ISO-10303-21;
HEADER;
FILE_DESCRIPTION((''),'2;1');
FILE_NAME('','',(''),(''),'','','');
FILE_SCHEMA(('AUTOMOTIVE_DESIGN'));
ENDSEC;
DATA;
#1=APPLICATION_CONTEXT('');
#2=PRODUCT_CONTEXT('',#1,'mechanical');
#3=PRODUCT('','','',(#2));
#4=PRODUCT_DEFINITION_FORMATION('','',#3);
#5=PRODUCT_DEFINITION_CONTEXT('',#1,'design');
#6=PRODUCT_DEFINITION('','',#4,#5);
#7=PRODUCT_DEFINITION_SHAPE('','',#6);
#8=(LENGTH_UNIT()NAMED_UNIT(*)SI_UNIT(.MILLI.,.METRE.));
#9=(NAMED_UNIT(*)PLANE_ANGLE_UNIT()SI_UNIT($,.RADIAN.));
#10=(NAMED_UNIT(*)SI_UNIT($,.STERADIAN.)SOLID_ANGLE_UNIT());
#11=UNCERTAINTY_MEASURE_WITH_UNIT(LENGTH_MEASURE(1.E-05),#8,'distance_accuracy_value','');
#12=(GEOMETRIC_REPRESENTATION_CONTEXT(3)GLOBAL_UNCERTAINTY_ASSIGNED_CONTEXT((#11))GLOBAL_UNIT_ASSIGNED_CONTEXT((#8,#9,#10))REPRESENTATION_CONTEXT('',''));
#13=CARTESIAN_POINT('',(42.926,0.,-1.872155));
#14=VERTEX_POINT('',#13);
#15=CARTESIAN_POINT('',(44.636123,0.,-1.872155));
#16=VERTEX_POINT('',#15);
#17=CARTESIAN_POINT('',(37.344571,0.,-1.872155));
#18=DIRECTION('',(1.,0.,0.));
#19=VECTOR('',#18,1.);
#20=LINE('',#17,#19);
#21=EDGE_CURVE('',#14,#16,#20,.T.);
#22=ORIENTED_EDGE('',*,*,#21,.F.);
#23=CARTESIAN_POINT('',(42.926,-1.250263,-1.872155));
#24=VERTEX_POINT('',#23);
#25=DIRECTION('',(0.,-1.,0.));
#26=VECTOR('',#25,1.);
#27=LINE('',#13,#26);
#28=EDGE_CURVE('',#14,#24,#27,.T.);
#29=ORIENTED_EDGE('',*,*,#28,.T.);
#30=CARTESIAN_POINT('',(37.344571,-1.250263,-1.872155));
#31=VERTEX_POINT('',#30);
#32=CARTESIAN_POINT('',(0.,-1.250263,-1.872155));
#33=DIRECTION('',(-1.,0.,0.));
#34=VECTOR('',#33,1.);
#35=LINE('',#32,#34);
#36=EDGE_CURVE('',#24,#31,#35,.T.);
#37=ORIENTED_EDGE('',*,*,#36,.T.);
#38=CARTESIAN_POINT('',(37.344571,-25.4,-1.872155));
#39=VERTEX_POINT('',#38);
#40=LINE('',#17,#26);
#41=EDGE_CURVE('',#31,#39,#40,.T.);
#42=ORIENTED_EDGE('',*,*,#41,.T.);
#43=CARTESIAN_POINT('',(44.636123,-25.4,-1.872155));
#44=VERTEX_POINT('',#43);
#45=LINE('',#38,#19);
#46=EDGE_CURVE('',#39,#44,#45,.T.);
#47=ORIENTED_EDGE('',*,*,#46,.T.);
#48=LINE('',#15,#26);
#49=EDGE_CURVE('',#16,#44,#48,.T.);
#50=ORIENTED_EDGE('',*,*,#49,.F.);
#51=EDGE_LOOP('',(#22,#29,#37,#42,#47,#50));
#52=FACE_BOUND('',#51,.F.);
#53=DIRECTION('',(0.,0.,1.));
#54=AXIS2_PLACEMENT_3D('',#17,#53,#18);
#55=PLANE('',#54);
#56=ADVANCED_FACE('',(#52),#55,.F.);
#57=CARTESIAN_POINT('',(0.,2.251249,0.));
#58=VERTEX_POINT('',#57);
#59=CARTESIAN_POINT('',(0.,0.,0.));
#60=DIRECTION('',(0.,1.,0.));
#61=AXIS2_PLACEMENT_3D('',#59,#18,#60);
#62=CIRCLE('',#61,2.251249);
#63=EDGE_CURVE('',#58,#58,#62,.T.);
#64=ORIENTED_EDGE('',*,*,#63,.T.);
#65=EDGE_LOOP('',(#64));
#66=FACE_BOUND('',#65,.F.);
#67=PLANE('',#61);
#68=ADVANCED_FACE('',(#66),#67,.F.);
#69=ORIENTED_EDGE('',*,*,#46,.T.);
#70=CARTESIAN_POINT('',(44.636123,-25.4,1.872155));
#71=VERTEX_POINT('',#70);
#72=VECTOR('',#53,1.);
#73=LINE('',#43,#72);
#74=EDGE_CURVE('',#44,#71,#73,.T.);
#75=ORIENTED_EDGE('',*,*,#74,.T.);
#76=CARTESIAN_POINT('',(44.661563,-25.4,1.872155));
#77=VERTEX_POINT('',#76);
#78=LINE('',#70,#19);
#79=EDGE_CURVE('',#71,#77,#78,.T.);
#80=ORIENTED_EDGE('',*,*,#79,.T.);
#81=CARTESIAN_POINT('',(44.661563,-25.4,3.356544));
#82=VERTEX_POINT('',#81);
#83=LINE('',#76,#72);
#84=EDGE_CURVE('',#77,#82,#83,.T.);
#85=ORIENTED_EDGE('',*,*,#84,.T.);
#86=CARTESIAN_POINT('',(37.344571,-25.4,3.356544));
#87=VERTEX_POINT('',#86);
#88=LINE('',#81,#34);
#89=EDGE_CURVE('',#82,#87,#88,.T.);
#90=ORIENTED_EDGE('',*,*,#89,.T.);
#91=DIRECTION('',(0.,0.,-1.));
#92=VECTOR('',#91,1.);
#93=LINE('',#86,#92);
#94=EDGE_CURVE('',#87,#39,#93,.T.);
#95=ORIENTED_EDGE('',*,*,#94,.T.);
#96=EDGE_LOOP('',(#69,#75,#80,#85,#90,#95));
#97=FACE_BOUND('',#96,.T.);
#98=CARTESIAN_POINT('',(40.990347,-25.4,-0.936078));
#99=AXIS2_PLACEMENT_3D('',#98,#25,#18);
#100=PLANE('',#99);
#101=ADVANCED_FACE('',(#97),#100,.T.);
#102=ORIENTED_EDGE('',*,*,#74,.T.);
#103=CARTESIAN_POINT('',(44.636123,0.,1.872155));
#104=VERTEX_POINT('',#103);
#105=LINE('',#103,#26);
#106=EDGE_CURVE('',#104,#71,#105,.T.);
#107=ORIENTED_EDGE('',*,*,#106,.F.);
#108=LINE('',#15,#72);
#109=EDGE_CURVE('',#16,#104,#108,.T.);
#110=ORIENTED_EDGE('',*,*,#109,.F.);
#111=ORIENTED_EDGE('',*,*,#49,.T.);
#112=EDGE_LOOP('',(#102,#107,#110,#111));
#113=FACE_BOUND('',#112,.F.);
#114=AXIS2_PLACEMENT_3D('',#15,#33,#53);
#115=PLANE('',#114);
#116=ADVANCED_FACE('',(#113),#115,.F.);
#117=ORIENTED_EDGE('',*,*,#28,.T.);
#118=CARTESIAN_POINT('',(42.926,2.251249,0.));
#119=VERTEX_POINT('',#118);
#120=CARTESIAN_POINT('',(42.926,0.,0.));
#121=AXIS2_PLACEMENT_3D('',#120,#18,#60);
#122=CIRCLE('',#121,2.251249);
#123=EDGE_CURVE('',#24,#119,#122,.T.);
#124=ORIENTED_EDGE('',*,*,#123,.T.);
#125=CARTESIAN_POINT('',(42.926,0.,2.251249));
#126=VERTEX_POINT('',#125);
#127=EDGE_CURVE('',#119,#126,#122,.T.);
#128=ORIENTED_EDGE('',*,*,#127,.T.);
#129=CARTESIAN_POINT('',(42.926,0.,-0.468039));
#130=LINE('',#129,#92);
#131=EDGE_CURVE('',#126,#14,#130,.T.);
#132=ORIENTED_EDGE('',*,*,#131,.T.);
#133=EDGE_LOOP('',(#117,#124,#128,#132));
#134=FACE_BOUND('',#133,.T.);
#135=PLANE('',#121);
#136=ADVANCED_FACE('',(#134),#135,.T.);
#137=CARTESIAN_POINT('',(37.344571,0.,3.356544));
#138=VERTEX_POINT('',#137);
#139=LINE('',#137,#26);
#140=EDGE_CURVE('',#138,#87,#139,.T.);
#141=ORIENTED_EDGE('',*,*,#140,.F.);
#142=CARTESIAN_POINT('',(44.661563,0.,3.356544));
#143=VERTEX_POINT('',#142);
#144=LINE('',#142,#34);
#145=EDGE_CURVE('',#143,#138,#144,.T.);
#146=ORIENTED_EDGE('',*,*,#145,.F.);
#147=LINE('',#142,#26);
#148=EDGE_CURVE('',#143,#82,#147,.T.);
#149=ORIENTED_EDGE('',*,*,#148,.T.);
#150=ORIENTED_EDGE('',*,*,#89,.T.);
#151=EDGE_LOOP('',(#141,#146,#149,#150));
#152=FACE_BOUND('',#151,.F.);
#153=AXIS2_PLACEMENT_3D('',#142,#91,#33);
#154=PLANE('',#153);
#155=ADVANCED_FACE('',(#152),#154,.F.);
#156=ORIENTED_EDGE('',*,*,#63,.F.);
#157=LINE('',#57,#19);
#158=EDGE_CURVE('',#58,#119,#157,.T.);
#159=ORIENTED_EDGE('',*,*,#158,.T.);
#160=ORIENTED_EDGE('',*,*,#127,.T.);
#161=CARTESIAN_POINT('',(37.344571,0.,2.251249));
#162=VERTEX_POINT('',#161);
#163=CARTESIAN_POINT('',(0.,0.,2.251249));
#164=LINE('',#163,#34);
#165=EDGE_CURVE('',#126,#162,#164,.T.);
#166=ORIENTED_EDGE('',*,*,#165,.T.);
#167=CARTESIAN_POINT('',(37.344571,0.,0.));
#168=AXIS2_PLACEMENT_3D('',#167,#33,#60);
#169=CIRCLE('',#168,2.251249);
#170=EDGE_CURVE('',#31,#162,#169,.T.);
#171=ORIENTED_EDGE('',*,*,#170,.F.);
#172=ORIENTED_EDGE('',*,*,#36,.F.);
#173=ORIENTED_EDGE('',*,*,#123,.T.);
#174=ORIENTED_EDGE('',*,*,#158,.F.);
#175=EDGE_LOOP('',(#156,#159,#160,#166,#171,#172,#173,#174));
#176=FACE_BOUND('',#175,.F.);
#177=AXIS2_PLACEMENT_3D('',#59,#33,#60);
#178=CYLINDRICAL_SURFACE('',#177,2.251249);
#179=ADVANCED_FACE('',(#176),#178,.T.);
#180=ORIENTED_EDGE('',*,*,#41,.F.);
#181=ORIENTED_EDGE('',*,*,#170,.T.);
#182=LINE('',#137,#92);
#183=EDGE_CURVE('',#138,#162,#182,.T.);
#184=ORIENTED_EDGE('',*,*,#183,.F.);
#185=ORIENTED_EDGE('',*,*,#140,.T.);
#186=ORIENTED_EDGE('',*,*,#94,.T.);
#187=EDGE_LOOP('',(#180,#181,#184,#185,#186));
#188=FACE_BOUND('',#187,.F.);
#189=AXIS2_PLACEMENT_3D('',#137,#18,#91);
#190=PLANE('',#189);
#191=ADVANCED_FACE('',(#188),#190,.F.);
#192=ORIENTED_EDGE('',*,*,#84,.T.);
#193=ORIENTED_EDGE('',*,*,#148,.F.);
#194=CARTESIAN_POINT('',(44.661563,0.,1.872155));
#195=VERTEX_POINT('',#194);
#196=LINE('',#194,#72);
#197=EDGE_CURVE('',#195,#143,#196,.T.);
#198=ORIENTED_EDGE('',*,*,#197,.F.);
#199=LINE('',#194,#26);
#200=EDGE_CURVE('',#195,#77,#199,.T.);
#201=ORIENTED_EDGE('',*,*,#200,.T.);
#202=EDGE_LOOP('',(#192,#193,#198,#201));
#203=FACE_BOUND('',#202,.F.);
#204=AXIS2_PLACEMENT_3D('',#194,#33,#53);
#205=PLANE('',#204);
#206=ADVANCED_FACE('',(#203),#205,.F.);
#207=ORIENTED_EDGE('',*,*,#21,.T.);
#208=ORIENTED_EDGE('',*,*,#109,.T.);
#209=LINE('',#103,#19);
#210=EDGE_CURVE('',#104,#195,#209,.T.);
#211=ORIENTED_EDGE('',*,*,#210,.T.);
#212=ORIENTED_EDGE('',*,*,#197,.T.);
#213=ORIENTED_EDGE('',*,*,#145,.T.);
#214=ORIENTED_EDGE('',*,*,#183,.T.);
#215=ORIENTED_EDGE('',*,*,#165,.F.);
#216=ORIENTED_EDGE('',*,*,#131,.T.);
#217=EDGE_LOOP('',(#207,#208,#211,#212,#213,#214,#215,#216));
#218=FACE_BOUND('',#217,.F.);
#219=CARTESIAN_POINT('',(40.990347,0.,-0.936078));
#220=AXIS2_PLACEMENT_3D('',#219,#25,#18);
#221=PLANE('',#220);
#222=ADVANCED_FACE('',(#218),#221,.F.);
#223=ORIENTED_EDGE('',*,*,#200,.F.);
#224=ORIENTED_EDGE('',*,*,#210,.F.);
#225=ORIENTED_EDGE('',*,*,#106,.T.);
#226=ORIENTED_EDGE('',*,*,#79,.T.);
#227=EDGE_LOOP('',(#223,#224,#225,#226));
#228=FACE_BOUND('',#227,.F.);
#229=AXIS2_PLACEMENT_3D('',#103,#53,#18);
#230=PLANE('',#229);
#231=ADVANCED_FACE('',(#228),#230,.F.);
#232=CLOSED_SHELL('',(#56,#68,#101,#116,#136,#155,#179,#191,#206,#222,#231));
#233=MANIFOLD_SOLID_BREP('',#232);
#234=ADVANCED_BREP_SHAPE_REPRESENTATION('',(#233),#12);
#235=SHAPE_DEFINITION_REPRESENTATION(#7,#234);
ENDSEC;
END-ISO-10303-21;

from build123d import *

# Parameters (mm, degrees)
F1_R     = 2.251249
F2_DEPTH = 42.926
F3_DEPTH = 25.4


with BuildPart() as f2:
    # F1 (on Right) → F2 (new body)
    with BuildSketch(Plane.YZ):
        Circle(F1_R)
    extrude(amount=F2_DEPTH)

    # F0 (on Front) → F3 (join)
    with BuildSketch(Plane.XZ):
        Polygon((44.636123, 0), (41.285951, 0), (37.344571, 0), (37.344571, -1.872155), (44.636123, -1.872155), align=None)
        Polygon((37.344571, 0), (41.285951, 0), (44.636123, 0), (44.636123, 1.872155), (37.344571, 1.872155), align=None)
        Polygon((37.344571, 3.356544), (37.344571, 1.872155), (44.636123, 1.872155), (44.661563, 1.872155), (44.661563, 3.356544), align=None)
    extrude(amount=F3_DEPTH)


solid = f2.part
